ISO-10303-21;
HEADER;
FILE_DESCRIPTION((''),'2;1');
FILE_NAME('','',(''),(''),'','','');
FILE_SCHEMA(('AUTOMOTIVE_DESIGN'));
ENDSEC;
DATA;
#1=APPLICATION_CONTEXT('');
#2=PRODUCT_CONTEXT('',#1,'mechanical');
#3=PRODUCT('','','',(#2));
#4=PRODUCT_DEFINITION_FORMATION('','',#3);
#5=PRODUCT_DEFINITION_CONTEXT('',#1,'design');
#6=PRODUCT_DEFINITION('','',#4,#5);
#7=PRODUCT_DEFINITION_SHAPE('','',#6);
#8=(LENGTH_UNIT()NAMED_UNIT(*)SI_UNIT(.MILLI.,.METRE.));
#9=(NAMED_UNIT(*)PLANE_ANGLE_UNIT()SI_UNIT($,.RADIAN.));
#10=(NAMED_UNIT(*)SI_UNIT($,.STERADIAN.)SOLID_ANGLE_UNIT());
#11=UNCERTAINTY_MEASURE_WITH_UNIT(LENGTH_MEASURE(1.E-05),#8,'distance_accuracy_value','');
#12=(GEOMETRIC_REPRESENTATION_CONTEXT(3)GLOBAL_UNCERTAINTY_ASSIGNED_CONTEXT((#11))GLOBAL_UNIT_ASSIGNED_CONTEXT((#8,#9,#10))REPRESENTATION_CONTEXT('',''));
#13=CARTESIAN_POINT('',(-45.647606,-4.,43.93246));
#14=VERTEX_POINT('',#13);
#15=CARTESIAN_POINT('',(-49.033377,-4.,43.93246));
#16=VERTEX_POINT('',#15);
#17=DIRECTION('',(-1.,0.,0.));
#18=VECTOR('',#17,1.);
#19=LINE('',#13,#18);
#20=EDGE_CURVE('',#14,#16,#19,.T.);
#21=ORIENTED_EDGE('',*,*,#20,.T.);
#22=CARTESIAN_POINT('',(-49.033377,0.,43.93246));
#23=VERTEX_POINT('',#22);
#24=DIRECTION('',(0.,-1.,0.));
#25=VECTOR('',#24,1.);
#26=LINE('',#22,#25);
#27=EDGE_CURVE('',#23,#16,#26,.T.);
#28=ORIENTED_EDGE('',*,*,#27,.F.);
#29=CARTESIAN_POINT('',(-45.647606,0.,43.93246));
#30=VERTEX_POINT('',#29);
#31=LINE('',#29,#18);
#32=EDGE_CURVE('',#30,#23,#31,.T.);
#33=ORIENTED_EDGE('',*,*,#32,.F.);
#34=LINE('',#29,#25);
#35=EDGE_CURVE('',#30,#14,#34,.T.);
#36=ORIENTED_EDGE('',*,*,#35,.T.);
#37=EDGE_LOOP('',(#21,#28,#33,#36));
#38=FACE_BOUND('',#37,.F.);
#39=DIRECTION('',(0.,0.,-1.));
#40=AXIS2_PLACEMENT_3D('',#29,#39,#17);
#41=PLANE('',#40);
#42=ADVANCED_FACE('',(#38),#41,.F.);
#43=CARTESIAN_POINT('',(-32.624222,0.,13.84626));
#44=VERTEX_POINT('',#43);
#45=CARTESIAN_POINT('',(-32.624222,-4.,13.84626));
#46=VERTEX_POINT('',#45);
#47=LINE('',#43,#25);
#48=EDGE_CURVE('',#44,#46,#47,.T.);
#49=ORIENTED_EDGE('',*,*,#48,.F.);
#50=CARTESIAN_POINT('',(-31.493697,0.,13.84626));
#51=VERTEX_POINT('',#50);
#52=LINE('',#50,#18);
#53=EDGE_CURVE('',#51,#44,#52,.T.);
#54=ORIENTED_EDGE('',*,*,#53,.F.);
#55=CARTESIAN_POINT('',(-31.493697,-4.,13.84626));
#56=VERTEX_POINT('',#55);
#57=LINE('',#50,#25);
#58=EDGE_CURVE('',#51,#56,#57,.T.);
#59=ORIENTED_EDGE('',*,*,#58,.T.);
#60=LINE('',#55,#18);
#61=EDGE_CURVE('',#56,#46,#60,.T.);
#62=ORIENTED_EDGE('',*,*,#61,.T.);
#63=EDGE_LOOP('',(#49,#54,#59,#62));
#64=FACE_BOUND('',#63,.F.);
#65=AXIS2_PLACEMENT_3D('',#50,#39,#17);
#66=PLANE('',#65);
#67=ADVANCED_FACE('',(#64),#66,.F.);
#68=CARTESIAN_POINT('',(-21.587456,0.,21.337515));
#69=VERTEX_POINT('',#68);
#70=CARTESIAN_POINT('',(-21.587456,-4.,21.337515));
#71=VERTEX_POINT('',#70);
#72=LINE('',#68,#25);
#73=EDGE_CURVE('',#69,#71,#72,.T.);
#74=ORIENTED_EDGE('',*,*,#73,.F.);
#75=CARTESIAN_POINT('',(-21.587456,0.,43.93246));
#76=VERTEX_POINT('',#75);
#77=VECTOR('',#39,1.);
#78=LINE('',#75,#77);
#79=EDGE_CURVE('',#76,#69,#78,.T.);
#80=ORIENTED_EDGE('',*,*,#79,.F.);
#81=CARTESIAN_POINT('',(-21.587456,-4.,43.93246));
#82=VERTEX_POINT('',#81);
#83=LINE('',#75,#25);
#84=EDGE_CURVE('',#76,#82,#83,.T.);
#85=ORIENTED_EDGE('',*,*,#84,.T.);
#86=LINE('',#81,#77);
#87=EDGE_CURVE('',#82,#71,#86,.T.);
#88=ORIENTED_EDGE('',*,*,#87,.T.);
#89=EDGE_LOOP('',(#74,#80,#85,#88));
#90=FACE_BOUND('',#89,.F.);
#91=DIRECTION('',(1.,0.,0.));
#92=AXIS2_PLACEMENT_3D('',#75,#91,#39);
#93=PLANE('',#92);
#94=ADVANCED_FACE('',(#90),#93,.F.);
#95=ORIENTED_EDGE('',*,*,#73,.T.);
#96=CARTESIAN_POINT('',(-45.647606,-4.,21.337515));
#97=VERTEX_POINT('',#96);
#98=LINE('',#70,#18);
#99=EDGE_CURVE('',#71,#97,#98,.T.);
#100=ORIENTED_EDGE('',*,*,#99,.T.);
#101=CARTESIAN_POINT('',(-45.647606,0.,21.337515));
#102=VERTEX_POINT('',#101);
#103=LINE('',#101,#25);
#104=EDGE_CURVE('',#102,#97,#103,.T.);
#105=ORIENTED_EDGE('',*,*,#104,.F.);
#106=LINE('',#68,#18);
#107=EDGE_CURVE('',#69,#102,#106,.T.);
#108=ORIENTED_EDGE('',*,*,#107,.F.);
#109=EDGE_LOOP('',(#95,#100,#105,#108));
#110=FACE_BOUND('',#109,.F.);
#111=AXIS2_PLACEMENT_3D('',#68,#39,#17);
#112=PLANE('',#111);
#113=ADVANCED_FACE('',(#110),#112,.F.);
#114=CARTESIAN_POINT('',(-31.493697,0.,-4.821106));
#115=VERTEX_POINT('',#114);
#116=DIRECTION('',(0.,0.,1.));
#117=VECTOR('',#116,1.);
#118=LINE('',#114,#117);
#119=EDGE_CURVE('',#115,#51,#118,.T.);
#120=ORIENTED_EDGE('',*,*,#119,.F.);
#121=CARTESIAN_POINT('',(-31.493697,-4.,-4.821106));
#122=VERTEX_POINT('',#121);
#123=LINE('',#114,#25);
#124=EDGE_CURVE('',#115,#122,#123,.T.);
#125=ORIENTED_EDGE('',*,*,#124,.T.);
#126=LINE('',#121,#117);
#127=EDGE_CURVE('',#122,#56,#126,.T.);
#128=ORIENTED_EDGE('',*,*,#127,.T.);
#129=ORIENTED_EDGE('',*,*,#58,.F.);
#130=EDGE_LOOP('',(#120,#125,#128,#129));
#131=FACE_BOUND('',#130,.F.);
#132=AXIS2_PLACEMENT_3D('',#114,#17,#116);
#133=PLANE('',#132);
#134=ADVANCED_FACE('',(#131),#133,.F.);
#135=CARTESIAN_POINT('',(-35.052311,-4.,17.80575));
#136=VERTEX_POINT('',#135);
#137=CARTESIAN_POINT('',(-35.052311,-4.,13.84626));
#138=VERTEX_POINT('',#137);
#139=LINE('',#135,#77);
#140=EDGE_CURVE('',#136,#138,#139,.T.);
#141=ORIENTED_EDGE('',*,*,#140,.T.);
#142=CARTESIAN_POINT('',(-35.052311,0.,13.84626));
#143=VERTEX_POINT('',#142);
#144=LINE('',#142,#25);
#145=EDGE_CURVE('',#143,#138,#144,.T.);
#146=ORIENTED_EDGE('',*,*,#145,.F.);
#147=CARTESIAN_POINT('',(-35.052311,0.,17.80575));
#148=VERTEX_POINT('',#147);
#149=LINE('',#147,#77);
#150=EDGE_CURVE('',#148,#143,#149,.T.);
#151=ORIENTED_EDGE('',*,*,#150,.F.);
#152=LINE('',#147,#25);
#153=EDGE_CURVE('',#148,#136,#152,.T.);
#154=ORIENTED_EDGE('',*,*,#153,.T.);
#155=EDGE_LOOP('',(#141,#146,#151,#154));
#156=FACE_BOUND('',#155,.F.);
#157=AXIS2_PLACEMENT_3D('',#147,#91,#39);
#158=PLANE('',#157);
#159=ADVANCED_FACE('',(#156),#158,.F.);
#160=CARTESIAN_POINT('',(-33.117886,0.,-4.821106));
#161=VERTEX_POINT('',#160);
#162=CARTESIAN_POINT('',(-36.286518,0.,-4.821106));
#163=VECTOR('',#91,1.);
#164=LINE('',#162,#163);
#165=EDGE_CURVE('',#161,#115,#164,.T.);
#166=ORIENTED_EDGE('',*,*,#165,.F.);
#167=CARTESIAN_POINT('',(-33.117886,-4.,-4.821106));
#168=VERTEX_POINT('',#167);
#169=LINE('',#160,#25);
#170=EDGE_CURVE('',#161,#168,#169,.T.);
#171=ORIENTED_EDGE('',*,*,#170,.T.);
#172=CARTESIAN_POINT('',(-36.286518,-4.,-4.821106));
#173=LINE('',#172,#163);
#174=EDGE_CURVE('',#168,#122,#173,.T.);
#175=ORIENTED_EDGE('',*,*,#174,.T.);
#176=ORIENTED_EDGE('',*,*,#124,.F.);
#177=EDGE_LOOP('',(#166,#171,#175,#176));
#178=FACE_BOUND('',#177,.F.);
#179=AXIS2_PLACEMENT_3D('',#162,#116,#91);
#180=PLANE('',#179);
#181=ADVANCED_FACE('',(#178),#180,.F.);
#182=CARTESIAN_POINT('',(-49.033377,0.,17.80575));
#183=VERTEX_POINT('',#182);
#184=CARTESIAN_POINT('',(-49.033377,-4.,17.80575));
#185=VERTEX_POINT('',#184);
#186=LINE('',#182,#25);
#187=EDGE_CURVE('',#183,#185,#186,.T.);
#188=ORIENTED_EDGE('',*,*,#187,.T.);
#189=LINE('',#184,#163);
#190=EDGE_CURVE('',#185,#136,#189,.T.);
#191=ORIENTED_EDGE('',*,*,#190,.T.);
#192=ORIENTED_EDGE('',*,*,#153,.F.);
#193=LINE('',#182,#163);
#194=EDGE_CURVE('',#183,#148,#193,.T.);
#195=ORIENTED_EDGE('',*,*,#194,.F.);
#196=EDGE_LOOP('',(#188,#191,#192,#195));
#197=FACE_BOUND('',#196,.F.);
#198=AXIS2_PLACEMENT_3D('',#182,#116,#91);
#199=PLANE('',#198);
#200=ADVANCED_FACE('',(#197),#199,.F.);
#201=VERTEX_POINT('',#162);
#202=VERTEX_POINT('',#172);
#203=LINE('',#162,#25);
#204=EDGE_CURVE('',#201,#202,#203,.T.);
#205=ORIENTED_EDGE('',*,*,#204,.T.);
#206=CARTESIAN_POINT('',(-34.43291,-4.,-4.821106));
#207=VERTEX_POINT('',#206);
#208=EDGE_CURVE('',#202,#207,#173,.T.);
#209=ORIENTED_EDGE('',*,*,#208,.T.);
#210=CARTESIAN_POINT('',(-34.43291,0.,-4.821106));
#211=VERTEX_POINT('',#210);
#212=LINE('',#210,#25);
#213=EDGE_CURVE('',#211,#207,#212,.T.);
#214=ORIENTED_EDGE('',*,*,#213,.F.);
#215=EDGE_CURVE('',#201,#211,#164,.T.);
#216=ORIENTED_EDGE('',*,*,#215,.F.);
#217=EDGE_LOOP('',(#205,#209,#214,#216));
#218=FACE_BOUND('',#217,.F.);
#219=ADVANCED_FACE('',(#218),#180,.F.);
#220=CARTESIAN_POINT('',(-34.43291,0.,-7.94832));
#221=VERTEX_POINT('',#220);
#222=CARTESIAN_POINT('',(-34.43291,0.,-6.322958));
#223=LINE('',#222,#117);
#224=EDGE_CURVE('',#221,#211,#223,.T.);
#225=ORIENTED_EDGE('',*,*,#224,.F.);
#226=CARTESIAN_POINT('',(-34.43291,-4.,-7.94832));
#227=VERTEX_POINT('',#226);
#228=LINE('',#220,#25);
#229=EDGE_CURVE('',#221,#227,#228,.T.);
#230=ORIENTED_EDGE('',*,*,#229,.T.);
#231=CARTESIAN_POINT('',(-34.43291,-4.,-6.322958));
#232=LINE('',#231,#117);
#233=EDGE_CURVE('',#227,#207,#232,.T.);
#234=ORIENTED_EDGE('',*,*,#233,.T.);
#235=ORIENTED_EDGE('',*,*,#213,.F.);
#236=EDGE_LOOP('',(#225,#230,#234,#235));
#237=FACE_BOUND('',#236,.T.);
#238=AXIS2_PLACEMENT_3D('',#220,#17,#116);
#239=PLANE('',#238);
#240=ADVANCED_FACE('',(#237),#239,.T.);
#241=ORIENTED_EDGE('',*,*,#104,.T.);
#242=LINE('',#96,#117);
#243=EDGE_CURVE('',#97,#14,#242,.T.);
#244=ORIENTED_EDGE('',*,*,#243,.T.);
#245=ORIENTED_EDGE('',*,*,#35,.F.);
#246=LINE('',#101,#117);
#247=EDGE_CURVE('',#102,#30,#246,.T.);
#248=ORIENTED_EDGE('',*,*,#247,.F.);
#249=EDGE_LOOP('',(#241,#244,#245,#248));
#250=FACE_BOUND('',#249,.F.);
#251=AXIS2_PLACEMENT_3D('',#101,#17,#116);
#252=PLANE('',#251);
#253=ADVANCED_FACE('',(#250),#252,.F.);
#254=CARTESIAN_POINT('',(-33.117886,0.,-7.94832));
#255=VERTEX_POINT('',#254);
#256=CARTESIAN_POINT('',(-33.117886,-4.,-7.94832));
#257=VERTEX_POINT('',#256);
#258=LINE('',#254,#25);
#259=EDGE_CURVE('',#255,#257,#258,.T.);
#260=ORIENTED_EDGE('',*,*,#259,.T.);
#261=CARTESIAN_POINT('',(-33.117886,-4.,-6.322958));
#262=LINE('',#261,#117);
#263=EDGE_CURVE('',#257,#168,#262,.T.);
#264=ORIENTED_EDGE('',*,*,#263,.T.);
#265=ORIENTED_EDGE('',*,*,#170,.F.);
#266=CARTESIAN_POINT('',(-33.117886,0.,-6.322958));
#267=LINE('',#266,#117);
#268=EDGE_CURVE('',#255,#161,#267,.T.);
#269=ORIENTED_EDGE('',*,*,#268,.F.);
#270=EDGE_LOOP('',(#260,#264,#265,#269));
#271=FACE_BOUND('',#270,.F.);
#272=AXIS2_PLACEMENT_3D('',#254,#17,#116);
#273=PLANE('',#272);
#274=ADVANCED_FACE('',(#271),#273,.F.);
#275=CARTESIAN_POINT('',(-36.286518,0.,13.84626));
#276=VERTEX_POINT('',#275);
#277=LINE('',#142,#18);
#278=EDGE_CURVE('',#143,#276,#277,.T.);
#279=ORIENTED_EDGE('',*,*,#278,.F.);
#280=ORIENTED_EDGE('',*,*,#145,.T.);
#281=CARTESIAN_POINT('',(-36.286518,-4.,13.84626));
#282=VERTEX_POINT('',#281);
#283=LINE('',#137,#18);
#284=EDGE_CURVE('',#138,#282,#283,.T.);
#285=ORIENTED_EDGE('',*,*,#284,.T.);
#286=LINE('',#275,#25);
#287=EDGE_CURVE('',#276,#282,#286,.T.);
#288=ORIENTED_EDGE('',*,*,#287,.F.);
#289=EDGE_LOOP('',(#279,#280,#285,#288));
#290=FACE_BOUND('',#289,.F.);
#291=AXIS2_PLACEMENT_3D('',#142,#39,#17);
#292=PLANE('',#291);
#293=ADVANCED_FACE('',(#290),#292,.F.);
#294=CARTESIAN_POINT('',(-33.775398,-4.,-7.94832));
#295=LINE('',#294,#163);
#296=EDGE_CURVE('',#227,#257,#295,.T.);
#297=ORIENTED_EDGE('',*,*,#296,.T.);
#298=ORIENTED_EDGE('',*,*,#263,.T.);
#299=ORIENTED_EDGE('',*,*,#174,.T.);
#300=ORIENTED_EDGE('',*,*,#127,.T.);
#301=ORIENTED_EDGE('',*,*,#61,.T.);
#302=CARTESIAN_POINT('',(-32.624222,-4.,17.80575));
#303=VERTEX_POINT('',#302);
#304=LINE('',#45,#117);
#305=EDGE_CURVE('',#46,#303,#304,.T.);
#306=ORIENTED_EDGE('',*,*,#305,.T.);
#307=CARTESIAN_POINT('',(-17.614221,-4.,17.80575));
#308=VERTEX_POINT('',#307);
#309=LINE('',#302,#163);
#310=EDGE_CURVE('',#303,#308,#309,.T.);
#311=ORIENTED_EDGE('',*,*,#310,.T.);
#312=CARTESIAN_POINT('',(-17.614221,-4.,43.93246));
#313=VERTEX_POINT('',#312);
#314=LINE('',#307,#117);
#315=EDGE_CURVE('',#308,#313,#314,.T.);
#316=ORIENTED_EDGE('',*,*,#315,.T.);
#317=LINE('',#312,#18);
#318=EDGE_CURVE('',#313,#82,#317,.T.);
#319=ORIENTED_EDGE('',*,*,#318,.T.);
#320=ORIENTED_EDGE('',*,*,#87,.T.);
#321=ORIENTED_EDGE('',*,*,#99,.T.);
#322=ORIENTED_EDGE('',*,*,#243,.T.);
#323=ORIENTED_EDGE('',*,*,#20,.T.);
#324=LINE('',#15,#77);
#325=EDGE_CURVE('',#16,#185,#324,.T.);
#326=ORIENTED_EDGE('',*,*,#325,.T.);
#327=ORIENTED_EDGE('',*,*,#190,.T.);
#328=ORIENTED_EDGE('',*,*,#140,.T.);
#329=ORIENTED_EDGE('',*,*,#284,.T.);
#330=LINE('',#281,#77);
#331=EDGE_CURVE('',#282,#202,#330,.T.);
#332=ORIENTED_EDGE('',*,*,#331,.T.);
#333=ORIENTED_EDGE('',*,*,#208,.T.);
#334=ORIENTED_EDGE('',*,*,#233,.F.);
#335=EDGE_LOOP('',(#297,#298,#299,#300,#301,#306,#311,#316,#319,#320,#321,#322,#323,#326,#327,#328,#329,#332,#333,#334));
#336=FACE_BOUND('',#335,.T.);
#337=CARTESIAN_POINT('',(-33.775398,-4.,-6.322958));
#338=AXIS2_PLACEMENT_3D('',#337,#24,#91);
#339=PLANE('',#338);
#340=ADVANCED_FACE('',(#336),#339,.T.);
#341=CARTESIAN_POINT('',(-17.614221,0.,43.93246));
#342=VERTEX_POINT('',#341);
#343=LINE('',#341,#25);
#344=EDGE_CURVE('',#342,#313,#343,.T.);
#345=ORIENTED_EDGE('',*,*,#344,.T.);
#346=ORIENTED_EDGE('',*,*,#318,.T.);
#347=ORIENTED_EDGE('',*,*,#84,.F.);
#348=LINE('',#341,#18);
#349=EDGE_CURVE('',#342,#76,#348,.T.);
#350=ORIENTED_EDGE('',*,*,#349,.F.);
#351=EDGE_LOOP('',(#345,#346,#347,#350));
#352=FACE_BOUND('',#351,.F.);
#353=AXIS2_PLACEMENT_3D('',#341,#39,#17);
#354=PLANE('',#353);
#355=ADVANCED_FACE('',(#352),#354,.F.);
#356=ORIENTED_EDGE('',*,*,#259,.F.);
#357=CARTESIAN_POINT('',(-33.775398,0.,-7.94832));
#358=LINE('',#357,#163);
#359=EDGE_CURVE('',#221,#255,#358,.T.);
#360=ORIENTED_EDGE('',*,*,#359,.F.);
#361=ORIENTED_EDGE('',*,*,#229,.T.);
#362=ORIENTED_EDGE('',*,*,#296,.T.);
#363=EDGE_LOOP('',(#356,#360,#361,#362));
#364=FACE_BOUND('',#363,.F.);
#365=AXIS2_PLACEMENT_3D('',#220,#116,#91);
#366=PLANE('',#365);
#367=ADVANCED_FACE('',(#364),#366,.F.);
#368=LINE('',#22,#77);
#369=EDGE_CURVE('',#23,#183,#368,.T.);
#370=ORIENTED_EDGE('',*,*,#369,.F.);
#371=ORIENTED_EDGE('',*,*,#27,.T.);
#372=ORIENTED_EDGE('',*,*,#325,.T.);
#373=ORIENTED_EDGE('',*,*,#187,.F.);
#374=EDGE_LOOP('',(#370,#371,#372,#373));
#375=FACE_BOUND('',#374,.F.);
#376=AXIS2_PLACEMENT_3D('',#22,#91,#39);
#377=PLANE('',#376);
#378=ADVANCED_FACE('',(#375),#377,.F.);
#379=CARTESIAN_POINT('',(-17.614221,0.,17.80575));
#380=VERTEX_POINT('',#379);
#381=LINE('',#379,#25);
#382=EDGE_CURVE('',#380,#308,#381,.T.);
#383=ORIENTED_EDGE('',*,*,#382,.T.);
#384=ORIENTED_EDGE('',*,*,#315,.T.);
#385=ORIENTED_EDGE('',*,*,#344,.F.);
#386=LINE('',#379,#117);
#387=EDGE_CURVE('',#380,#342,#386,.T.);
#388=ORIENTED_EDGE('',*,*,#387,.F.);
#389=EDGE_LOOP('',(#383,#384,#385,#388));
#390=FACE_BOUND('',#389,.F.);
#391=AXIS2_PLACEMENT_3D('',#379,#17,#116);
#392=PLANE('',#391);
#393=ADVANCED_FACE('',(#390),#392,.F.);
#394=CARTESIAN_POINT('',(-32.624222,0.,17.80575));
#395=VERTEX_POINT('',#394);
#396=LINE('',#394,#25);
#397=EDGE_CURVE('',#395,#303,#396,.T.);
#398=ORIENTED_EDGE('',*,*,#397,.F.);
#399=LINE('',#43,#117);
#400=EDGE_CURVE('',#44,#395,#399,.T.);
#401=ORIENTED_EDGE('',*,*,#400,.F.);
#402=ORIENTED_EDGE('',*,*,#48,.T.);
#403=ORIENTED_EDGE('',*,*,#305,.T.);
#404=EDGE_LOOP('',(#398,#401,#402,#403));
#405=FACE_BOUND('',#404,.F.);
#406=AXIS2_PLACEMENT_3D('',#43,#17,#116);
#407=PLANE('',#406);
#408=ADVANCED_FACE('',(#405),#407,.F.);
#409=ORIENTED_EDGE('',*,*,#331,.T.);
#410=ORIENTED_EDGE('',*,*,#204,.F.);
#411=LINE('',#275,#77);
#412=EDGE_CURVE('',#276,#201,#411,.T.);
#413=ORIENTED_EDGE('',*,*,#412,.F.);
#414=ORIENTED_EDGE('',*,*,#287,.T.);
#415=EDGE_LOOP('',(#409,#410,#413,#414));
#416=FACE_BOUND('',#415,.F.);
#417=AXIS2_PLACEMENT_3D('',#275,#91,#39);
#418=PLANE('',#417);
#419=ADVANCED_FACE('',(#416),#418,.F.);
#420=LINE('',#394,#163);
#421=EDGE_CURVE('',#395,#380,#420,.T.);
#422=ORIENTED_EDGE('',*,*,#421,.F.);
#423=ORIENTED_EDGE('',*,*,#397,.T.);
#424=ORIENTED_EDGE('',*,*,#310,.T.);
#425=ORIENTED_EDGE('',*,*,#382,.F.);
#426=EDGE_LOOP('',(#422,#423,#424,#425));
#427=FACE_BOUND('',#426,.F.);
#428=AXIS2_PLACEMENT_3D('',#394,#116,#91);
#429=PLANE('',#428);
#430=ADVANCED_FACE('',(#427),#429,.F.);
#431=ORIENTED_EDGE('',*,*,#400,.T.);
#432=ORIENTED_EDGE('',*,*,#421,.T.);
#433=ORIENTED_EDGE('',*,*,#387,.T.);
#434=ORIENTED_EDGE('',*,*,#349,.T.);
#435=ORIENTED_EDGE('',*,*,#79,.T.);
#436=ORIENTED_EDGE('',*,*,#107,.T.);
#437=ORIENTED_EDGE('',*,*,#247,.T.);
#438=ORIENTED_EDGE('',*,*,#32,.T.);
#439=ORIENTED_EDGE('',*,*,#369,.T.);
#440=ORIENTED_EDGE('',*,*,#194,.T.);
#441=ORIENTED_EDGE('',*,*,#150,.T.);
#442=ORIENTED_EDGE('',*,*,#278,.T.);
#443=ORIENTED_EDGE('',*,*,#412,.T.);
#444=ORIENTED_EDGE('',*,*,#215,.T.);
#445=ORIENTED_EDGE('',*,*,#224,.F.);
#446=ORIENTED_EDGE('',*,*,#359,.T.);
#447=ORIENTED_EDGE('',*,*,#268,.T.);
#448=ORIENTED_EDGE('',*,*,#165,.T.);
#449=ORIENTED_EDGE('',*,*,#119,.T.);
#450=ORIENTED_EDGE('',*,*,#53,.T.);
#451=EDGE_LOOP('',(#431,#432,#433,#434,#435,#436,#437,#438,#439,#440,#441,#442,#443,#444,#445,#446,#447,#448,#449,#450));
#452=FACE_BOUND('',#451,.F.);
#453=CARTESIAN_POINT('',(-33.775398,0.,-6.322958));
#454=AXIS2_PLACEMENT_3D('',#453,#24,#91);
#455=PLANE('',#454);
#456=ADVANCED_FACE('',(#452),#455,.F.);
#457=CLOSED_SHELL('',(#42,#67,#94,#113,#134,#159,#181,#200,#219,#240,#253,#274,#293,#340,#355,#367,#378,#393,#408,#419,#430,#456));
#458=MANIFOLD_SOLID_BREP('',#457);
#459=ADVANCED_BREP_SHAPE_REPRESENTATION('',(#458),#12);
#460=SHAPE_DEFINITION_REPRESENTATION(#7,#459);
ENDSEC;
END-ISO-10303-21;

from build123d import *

# Parameters (mm, degrees)
F1_DEPTH = 4
F2_W     = 1.315023
F2_H     = 3.250724
F3_DEPTH = 4


with BuildPart() as f1:
    # F0 (on Front) → F1 (new body)
    with BuildSketch(Plane.XZ):
        Polygon((-45.647606, 43.93246), (-49.033377, 43.93246), (-49.033377, 17.80575), (-35.052311, 17.80575), (-35.052311, 13.84626), (-32.624222, 13.84626), (-32.624222, 17.80575), (-17.614221, 17.80575), (-17.614221, 43.93246), (-21.587456, 43.93246), (-21.587456, 21.337515), (-45.647606, 21.337515), align=None)
        Polygon((-32.624222, 13.84626), (-35.052311, 13.84626), (-36.286518, 13.84626), (-36.286518, -4.821106), (-31.493697, -4.821106), (-31.493697, 13.84626), align=None)
    extrude(amount=F1_DEPTH)

    # F2 (on Front) → F3 (join)
    with BuildSketch(Plane.XZ):
        with Locations((-33.775398, -6.322958)):
            Rectangle(F2_W, F2_H)
    extrude(amount=F3_DEPTH)


solid = f1.part
